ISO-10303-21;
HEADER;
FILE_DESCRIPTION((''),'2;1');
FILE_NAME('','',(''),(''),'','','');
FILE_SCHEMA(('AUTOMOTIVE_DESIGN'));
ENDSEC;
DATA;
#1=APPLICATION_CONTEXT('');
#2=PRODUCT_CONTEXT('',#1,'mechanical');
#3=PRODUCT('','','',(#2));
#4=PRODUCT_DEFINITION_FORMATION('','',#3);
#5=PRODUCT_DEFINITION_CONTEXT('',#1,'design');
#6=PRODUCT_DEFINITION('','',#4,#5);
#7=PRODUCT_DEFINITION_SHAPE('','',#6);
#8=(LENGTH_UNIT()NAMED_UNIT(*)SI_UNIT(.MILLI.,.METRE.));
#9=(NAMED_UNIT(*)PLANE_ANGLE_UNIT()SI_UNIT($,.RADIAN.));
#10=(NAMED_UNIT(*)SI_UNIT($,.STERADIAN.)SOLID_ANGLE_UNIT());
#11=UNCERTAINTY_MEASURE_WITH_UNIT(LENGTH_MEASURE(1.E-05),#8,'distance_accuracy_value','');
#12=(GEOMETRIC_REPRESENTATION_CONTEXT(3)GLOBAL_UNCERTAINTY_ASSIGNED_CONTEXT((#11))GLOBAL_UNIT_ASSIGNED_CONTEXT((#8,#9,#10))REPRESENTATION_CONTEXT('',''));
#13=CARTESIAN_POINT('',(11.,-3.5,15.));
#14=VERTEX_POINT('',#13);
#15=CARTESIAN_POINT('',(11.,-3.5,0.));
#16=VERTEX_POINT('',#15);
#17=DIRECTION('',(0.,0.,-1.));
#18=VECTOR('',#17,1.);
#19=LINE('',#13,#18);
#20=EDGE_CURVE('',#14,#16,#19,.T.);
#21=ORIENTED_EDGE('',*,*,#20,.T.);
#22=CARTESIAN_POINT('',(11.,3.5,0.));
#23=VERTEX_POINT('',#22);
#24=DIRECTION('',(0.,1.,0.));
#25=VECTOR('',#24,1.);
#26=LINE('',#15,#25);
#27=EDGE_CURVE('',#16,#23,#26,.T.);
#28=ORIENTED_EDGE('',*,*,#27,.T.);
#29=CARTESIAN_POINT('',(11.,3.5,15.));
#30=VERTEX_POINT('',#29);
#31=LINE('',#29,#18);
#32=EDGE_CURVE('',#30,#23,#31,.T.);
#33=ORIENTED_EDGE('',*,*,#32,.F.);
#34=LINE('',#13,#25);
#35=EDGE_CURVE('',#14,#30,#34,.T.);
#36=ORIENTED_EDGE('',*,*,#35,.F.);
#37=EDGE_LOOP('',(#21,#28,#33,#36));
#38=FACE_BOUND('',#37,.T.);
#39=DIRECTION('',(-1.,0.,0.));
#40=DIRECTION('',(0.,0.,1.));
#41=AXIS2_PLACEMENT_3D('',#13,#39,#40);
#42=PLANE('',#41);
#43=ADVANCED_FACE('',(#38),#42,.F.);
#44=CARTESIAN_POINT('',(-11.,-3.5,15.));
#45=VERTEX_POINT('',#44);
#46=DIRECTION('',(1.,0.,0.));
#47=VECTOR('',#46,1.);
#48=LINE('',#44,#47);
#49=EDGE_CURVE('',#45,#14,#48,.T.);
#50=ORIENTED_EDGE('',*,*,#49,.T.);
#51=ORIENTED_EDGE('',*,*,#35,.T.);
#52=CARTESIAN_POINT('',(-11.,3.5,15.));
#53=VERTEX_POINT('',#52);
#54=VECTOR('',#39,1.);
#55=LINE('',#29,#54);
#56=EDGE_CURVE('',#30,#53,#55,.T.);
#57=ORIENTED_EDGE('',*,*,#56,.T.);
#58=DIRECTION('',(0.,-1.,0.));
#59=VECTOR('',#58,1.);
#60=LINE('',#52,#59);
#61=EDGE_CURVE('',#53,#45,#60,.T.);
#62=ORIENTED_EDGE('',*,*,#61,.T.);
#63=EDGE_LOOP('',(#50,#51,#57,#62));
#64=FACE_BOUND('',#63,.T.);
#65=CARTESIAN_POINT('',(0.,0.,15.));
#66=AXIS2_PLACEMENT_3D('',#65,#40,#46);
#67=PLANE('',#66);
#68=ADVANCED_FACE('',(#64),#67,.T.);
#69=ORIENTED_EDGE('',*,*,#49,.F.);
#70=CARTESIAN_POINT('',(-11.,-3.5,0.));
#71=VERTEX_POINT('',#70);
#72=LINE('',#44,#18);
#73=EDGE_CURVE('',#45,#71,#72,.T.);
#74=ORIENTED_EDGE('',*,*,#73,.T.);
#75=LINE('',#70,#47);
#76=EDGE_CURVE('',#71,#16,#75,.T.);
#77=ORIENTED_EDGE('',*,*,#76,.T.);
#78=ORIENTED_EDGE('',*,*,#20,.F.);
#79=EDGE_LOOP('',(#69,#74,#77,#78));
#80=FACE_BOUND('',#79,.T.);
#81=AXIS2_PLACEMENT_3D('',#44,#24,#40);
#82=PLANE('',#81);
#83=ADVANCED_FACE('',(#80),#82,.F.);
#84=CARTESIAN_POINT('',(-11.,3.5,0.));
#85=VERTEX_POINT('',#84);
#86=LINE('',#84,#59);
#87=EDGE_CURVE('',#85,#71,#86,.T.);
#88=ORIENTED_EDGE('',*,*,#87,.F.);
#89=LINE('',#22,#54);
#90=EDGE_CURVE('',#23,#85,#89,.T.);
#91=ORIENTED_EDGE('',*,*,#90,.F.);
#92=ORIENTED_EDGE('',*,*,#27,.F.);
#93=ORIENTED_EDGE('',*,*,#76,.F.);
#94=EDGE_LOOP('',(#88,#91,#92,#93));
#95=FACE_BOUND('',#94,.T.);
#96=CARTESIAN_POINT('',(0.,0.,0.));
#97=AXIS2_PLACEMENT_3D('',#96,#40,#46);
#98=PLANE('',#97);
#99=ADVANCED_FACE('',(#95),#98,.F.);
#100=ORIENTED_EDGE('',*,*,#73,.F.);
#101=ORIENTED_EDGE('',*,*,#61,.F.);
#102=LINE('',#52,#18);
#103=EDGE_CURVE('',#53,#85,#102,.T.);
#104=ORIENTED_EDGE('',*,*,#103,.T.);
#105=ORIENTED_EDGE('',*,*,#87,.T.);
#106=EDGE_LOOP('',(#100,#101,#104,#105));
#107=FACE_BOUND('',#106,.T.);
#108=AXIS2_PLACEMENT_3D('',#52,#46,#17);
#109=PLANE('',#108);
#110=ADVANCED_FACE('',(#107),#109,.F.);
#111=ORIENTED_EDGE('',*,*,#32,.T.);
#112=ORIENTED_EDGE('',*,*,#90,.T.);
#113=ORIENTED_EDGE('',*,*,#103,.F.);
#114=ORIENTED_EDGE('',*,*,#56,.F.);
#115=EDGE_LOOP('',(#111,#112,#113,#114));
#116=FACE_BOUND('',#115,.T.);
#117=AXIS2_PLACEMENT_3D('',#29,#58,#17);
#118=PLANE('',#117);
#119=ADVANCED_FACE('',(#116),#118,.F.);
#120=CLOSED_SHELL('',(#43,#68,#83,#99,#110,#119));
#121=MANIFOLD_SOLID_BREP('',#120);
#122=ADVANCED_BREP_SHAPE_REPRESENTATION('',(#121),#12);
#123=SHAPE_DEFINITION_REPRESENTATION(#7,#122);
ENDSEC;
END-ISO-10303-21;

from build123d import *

# Parameters (mm, degrees)
SKETCH_1_W      = 22
SKETCH_1_H      = 7
EXTRUDE_1_DEPTH = 15


with BuildPart() as part:
    # 草圖1 → 填料-伸長1 (new body)
    with BuildSketch(Plane.XY):
        Rectangle(SKETCH_1_W, SKETCH_1_H)
    extrude(amount=EXTRUDE_1_DEPTH)


solid = part.part
